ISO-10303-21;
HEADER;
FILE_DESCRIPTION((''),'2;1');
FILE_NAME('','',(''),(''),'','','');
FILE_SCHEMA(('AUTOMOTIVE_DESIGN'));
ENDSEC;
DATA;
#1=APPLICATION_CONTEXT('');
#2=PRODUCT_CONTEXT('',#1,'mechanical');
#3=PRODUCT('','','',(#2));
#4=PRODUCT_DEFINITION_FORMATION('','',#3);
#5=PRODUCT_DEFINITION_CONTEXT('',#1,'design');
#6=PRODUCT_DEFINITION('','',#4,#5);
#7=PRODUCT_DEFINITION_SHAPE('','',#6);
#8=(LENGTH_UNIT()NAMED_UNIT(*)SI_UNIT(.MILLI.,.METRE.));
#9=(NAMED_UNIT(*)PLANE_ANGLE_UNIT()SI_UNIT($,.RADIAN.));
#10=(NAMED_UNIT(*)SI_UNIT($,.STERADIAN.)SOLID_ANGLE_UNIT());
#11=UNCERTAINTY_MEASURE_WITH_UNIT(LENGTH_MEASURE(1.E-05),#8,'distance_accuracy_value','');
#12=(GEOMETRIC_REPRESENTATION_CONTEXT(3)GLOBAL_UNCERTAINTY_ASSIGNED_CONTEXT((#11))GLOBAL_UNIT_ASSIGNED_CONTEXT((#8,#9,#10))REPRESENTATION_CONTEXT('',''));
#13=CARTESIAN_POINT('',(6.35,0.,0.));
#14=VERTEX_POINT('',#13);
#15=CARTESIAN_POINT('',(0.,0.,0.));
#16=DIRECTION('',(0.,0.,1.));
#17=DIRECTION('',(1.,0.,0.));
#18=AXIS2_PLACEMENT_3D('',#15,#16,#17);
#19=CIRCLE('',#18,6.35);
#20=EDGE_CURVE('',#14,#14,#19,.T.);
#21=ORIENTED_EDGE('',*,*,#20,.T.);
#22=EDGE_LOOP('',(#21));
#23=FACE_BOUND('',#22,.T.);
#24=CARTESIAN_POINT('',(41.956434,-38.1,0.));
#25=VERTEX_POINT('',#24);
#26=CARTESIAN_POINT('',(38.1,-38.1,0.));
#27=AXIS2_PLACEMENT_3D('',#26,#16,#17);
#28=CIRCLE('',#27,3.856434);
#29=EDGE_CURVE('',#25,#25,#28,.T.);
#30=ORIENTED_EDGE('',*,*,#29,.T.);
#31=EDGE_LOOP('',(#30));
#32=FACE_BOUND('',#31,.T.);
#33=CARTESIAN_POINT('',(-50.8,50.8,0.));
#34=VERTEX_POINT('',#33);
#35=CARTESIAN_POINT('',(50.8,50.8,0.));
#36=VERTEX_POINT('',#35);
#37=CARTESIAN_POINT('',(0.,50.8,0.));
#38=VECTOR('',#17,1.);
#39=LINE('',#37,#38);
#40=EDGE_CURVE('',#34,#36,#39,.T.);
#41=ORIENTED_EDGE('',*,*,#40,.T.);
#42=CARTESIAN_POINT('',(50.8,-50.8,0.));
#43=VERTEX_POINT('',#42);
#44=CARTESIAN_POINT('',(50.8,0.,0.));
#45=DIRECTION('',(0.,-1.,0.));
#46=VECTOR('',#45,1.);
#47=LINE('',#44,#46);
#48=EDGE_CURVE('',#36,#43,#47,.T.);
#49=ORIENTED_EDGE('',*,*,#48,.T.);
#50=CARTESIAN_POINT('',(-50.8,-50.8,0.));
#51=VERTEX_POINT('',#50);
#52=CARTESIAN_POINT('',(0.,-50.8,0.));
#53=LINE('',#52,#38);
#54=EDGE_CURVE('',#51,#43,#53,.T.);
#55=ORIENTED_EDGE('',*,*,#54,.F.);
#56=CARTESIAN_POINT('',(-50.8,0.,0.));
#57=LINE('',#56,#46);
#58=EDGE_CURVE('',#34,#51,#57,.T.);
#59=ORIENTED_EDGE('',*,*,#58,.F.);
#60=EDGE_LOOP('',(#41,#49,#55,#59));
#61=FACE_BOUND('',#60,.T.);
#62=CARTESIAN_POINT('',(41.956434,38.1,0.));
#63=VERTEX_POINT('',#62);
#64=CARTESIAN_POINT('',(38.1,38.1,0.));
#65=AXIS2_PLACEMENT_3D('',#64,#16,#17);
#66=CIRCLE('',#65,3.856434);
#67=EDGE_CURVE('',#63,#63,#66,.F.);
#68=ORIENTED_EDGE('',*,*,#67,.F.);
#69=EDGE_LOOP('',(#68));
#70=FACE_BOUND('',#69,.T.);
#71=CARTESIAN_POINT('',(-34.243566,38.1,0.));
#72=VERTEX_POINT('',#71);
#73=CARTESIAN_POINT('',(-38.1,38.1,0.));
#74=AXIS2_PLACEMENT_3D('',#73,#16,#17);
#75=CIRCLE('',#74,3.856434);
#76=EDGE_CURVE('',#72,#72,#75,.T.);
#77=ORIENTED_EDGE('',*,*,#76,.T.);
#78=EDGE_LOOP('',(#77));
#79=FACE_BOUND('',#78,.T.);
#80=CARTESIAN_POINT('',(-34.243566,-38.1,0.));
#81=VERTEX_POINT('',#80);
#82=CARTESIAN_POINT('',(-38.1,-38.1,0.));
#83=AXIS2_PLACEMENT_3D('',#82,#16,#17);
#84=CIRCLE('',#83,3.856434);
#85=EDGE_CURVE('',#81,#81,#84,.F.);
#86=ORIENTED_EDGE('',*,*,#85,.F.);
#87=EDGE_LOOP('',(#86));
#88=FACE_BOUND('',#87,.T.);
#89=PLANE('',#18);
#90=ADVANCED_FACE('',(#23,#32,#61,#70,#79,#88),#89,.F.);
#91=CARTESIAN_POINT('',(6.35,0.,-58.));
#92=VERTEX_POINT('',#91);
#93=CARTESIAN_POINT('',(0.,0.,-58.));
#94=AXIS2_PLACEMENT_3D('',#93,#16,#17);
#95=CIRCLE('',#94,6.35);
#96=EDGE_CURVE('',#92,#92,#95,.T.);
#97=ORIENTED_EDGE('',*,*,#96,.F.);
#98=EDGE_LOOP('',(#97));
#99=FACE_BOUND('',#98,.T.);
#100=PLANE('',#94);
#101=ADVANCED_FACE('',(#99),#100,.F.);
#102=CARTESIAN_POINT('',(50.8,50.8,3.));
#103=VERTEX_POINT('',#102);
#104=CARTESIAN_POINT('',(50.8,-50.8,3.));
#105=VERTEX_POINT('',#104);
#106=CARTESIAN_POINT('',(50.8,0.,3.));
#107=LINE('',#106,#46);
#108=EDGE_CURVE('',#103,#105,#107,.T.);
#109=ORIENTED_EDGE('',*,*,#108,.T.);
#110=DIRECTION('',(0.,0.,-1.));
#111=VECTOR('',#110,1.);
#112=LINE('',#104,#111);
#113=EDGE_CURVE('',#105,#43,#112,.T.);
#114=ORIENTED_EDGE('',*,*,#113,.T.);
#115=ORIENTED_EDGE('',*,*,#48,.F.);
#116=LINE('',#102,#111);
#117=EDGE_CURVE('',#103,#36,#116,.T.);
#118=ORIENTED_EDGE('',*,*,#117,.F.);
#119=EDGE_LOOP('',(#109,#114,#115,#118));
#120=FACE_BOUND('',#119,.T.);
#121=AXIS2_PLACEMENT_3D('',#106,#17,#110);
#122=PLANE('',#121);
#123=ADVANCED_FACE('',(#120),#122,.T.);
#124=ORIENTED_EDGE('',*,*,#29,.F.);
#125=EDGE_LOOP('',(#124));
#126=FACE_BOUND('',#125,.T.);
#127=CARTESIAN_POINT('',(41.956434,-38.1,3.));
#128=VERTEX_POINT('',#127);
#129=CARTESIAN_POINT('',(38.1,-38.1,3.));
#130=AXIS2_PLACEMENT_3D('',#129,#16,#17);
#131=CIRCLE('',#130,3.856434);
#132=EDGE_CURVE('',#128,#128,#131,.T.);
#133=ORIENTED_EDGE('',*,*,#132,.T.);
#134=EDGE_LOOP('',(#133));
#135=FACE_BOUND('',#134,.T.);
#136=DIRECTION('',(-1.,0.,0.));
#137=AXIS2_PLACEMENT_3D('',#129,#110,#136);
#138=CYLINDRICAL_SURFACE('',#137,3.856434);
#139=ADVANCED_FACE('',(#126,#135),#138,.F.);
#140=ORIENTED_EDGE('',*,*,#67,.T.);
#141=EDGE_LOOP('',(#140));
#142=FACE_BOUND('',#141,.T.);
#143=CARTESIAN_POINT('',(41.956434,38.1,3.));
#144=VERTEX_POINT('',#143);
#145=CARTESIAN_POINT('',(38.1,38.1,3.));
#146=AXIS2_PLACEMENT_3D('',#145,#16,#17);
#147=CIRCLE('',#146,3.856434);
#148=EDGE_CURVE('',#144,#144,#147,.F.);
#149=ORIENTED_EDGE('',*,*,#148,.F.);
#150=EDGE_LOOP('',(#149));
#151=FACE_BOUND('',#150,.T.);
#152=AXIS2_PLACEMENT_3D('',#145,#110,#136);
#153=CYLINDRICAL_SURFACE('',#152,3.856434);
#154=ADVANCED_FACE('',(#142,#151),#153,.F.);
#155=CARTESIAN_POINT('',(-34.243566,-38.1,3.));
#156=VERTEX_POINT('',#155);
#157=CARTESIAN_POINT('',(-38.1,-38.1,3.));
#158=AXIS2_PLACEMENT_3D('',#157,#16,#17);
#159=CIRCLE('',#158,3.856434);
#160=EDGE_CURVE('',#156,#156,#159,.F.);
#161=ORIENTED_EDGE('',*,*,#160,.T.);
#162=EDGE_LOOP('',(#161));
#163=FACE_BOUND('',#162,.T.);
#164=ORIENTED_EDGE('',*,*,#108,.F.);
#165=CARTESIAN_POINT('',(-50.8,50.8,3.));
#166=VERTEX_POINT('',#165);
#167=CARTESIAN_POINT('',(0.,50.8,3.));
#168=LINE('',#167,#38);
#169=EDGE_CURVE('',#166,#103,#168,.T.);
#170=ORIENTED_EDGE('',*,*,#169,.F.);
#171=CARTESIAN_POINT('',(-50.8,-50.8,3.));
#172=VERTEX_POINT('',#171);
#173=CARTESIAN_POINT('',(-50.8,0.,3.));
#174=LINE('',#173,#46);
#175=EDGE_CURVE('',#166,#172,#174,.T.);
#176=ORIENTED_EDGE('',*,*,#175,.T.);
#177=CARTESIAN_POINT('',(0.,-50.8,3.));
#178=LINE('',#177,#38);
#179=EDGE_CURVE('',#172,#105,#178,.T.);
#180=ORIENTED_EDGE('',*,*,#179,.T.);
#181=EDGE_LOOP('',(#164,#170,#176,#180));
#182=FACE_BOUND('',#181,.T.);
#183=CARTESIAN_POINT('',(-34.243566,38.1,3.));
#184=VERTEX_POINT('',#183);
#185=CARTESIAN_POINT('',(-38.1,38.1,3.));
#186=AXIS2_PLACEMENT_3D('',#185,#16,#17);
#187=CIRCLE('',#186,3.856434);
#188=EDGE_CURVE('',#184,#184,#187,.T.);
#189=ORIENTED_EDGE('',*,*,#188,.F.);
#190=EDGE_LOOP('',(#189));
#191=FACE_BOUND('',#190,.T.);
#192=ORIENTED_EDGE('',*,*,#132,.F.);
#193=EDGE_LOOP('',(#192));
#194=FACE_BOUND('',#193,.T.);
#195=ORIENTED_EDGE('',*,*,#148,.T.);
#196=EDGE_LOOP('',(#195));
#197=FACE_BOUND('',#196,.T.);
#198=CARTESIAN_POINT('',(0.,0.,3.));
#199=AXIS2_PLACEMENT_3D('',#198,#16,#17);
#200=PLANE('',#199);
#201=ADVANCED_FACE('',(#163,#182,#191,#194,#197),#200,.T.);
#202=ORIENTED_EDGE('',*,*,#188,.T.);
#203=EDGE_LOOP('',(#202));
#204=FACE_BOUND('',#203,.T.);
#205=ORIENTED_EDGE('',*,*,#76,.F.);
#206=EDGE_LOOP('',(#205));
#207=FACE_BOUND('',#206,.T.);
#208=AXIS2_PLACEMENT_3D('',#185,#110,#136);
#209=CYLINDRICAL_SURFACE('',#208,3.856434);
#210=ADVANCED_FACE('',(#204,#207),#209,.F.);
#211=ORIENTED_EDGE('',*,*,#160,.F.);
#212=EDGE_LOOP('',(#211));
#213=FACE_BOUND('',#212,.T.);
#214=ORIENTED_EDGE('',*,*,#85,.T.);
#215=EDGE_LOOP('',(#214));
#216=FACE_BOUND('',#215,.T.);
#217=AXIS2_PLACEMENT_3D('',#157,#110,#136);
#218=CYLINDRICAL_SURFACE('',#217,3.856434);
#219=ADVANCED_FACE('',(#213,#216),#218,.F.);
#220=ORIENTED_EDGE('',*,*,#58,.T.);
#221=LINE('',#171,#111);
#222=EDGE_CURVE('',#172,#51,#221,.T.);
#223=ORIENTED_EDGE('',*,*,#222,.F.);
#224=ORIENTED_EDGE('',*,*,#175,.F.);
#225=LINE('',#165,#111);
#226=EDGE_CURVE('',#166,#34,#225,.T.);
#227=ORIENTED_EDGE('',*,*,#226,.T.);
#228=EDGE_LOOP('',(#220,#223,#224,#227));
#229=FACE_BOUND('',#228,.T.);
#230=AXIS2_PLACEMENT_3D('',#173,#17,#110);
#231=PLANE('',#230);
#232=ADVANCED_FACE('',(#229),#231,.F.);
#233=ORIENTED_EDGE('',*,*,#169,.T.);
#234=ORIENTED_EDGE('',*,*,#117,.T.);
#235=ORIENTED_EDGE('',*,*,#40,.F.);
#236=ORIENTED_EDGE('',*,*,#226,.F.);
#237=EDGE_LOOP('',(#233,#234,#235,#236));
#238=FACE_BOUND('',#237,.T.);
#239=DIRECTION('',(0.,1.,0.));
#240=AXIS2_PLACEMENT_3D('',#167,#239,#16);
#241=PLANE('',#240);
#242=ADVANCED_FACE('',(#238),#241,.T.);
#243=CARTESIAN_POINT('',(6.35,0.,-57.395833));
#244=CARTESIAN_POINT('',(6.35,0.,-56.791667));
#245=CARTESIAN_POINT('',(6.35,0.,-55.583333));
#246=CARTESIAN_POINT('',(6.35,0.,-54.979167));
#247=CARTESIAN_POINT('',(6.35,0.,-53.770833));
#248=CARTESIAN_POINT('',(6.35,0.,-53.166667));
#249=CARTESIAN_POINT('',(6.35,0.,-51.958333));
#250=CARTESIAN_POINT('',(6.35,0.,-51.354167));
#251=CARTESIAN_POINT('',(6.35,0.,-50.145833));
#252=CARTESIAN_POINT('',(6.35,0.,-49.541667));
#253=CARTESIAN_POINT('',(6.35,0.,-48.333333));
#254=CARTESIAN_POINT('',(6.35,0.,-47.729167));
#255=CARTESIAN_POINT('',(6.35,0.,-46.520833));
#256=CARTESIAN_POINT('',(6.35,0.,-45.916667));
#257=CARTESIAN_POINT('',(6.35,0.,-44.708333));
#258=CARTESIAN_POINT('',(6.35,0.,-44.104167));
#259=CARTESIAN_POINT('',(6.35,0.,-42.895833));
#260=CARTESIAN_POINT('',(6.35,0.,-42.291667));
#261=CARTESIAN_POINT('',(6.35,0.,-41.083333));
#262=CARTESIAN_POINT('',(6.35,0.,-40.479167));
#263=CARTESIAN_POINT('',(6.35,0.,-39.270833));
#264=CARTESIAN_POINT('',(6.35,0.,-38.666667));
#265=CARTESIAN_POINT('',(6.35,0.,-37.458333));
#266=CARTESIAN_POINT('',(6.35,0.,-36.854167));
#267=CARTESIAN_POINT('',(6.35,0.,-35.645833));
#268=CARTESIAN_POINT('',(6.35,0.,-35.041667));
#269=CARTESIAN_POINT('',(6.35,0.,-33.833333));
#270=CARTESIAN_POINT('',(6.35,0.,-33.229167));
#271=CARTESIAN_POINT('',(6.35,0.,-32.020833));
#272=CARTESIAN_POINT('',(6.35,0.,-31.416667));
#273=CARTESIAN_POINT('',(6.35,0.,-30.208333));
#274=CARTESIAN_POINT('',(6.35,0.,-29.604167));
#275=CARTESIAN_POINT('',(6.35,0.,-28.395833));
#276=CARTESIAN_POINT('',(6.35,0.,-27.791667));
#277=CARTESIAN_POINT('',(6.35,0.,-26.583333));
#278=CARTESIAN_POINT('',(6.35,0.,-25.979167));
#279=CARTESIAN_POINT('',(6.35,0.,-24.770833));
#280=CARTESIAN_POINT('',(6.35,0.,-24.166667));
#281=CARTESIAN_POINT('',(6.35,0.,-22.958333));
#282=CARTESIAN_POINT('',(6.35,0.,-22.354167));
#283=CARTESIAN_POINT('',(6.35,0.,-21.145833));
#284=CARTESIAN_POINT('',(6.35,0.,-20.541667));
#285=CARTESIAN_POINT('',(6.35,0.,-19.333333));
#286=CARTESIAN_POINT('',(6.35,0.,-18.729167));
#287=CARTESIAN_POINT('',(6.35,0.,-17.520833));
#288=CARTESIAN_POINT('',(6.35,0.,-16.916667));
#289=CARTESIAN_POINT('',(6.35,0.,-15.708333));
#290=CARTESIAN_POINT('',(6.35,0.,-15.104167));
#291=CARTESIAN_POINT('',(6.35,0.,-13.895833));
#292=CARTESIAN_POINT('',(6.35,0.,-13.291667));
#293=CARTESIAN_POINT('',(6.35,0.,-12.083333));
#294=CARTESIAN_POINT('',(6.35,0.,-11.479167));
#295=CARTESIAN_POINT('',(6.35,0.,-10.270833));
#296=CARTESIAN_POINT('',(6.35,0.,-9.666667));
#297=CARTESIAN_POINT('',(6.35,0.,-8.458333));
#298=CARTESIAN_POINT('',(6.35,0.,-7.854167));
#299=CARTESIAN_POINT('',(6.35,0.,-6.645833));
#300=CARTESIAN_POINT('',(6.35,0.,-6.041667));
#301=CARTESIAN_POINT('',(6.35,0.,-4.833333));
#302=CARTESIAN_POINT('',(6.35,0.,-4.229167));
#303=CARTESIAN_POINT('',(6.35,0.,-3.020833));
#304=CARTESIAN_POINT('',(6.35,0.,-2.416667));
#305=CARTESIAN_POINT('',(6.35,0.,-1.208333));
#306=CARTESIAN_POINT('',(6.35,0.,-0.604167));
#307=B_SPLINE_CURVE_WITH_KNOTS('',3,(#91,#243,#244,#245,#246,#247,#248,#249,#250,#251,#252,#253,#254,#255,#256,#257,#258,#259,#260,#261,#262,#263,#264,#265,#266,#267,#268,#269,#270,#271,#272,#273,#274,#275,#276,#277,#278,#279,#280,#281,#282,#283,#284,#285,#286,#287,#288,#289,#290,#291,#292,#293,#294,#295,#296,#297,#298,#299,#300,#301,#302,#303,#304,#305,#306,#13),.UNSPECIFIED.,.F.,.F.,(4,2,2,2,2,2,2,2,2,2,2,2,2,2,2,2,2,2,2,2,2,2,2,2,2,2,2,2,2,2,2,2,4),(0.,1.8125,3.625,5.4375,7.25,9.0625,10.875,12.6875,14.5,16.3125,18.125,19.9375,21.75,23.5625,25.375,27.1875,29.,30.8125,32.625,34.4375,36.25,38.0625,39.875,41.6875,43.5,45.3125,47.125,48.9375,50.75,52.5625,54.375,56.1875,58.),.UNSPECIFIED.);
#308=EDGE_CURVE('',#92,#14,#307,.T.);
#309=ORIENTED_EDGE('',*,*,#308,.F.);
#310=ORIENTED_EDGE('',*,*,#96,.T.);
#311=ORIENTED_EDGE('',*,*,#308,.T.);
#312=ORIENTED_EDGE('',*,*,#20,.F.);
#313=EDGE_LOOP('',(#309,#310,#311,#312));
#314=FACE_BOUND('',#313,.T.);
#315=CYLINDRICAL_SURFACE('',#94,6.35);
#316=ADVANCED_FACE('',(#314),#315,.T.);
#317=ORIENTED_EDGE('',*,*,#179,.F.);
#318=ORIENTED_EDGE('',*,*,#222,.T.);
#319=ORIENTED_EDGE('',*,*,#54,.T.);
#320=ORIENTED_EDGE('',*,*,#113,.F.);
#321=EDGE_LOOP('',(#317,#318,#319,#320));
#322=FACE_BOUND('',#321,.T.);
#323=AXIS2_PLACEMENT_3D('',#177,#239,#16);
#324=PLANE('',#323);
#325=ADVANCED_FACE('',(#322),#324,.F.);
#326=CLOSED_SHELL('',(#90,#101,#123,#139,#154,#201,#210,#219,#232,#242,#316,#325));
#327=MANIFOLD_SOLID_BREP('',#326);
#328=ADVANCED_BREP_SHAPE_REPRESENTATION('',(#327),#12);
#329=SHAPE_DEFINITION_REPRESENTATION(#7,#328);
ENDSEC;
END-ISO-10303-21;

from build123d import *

# Parameters (mm, degrees)
SKETCH1_W           = 101.6
SKETCH1_H           = 101.6
SKETCH1_R           = 3.856433765
BOSS_EXTRUDE1_DEPTH = 3
SKETCH1_4_R         = 6.35
BOSS_EXTRUDE2_DEPTH = 58


with BuildPart() as part:
    # Sketch1 → Boss-Extrude1 (new body)
    with BuildSketch(Plane.XY):
        Rectangle(SKETCH1_W, SKETCH1_H)
        with Locations((-38.1, -38.1)):
            Circle(SKETCH1_R, mode=Mode.SUBTRACT)
        with Locations((38.1, -38.1)):
            Circle(SKETCH1_R, mode=Mode.SUBTRACT)
        with Locations((-38.1, 38.1)):
            Circle(SKETCH1_R, mode=Mode.SUBTRACT)
        with Locations((38.1, 38.1)):
            Circle(SKETCH1_R, mode=Mode.SUBTRACT)
    extrude(amount=BOSS_EXTRUDE1_DEPTH)

    # Sketch1<4> → Boss-Extrude2 (add)
    with BuildSketch(Plane.XY):
        Circle(SKETCH1_4_R)
    extrude(amount=-BOSS_EXTRUDE2_DEPTH)


solid = part.part
